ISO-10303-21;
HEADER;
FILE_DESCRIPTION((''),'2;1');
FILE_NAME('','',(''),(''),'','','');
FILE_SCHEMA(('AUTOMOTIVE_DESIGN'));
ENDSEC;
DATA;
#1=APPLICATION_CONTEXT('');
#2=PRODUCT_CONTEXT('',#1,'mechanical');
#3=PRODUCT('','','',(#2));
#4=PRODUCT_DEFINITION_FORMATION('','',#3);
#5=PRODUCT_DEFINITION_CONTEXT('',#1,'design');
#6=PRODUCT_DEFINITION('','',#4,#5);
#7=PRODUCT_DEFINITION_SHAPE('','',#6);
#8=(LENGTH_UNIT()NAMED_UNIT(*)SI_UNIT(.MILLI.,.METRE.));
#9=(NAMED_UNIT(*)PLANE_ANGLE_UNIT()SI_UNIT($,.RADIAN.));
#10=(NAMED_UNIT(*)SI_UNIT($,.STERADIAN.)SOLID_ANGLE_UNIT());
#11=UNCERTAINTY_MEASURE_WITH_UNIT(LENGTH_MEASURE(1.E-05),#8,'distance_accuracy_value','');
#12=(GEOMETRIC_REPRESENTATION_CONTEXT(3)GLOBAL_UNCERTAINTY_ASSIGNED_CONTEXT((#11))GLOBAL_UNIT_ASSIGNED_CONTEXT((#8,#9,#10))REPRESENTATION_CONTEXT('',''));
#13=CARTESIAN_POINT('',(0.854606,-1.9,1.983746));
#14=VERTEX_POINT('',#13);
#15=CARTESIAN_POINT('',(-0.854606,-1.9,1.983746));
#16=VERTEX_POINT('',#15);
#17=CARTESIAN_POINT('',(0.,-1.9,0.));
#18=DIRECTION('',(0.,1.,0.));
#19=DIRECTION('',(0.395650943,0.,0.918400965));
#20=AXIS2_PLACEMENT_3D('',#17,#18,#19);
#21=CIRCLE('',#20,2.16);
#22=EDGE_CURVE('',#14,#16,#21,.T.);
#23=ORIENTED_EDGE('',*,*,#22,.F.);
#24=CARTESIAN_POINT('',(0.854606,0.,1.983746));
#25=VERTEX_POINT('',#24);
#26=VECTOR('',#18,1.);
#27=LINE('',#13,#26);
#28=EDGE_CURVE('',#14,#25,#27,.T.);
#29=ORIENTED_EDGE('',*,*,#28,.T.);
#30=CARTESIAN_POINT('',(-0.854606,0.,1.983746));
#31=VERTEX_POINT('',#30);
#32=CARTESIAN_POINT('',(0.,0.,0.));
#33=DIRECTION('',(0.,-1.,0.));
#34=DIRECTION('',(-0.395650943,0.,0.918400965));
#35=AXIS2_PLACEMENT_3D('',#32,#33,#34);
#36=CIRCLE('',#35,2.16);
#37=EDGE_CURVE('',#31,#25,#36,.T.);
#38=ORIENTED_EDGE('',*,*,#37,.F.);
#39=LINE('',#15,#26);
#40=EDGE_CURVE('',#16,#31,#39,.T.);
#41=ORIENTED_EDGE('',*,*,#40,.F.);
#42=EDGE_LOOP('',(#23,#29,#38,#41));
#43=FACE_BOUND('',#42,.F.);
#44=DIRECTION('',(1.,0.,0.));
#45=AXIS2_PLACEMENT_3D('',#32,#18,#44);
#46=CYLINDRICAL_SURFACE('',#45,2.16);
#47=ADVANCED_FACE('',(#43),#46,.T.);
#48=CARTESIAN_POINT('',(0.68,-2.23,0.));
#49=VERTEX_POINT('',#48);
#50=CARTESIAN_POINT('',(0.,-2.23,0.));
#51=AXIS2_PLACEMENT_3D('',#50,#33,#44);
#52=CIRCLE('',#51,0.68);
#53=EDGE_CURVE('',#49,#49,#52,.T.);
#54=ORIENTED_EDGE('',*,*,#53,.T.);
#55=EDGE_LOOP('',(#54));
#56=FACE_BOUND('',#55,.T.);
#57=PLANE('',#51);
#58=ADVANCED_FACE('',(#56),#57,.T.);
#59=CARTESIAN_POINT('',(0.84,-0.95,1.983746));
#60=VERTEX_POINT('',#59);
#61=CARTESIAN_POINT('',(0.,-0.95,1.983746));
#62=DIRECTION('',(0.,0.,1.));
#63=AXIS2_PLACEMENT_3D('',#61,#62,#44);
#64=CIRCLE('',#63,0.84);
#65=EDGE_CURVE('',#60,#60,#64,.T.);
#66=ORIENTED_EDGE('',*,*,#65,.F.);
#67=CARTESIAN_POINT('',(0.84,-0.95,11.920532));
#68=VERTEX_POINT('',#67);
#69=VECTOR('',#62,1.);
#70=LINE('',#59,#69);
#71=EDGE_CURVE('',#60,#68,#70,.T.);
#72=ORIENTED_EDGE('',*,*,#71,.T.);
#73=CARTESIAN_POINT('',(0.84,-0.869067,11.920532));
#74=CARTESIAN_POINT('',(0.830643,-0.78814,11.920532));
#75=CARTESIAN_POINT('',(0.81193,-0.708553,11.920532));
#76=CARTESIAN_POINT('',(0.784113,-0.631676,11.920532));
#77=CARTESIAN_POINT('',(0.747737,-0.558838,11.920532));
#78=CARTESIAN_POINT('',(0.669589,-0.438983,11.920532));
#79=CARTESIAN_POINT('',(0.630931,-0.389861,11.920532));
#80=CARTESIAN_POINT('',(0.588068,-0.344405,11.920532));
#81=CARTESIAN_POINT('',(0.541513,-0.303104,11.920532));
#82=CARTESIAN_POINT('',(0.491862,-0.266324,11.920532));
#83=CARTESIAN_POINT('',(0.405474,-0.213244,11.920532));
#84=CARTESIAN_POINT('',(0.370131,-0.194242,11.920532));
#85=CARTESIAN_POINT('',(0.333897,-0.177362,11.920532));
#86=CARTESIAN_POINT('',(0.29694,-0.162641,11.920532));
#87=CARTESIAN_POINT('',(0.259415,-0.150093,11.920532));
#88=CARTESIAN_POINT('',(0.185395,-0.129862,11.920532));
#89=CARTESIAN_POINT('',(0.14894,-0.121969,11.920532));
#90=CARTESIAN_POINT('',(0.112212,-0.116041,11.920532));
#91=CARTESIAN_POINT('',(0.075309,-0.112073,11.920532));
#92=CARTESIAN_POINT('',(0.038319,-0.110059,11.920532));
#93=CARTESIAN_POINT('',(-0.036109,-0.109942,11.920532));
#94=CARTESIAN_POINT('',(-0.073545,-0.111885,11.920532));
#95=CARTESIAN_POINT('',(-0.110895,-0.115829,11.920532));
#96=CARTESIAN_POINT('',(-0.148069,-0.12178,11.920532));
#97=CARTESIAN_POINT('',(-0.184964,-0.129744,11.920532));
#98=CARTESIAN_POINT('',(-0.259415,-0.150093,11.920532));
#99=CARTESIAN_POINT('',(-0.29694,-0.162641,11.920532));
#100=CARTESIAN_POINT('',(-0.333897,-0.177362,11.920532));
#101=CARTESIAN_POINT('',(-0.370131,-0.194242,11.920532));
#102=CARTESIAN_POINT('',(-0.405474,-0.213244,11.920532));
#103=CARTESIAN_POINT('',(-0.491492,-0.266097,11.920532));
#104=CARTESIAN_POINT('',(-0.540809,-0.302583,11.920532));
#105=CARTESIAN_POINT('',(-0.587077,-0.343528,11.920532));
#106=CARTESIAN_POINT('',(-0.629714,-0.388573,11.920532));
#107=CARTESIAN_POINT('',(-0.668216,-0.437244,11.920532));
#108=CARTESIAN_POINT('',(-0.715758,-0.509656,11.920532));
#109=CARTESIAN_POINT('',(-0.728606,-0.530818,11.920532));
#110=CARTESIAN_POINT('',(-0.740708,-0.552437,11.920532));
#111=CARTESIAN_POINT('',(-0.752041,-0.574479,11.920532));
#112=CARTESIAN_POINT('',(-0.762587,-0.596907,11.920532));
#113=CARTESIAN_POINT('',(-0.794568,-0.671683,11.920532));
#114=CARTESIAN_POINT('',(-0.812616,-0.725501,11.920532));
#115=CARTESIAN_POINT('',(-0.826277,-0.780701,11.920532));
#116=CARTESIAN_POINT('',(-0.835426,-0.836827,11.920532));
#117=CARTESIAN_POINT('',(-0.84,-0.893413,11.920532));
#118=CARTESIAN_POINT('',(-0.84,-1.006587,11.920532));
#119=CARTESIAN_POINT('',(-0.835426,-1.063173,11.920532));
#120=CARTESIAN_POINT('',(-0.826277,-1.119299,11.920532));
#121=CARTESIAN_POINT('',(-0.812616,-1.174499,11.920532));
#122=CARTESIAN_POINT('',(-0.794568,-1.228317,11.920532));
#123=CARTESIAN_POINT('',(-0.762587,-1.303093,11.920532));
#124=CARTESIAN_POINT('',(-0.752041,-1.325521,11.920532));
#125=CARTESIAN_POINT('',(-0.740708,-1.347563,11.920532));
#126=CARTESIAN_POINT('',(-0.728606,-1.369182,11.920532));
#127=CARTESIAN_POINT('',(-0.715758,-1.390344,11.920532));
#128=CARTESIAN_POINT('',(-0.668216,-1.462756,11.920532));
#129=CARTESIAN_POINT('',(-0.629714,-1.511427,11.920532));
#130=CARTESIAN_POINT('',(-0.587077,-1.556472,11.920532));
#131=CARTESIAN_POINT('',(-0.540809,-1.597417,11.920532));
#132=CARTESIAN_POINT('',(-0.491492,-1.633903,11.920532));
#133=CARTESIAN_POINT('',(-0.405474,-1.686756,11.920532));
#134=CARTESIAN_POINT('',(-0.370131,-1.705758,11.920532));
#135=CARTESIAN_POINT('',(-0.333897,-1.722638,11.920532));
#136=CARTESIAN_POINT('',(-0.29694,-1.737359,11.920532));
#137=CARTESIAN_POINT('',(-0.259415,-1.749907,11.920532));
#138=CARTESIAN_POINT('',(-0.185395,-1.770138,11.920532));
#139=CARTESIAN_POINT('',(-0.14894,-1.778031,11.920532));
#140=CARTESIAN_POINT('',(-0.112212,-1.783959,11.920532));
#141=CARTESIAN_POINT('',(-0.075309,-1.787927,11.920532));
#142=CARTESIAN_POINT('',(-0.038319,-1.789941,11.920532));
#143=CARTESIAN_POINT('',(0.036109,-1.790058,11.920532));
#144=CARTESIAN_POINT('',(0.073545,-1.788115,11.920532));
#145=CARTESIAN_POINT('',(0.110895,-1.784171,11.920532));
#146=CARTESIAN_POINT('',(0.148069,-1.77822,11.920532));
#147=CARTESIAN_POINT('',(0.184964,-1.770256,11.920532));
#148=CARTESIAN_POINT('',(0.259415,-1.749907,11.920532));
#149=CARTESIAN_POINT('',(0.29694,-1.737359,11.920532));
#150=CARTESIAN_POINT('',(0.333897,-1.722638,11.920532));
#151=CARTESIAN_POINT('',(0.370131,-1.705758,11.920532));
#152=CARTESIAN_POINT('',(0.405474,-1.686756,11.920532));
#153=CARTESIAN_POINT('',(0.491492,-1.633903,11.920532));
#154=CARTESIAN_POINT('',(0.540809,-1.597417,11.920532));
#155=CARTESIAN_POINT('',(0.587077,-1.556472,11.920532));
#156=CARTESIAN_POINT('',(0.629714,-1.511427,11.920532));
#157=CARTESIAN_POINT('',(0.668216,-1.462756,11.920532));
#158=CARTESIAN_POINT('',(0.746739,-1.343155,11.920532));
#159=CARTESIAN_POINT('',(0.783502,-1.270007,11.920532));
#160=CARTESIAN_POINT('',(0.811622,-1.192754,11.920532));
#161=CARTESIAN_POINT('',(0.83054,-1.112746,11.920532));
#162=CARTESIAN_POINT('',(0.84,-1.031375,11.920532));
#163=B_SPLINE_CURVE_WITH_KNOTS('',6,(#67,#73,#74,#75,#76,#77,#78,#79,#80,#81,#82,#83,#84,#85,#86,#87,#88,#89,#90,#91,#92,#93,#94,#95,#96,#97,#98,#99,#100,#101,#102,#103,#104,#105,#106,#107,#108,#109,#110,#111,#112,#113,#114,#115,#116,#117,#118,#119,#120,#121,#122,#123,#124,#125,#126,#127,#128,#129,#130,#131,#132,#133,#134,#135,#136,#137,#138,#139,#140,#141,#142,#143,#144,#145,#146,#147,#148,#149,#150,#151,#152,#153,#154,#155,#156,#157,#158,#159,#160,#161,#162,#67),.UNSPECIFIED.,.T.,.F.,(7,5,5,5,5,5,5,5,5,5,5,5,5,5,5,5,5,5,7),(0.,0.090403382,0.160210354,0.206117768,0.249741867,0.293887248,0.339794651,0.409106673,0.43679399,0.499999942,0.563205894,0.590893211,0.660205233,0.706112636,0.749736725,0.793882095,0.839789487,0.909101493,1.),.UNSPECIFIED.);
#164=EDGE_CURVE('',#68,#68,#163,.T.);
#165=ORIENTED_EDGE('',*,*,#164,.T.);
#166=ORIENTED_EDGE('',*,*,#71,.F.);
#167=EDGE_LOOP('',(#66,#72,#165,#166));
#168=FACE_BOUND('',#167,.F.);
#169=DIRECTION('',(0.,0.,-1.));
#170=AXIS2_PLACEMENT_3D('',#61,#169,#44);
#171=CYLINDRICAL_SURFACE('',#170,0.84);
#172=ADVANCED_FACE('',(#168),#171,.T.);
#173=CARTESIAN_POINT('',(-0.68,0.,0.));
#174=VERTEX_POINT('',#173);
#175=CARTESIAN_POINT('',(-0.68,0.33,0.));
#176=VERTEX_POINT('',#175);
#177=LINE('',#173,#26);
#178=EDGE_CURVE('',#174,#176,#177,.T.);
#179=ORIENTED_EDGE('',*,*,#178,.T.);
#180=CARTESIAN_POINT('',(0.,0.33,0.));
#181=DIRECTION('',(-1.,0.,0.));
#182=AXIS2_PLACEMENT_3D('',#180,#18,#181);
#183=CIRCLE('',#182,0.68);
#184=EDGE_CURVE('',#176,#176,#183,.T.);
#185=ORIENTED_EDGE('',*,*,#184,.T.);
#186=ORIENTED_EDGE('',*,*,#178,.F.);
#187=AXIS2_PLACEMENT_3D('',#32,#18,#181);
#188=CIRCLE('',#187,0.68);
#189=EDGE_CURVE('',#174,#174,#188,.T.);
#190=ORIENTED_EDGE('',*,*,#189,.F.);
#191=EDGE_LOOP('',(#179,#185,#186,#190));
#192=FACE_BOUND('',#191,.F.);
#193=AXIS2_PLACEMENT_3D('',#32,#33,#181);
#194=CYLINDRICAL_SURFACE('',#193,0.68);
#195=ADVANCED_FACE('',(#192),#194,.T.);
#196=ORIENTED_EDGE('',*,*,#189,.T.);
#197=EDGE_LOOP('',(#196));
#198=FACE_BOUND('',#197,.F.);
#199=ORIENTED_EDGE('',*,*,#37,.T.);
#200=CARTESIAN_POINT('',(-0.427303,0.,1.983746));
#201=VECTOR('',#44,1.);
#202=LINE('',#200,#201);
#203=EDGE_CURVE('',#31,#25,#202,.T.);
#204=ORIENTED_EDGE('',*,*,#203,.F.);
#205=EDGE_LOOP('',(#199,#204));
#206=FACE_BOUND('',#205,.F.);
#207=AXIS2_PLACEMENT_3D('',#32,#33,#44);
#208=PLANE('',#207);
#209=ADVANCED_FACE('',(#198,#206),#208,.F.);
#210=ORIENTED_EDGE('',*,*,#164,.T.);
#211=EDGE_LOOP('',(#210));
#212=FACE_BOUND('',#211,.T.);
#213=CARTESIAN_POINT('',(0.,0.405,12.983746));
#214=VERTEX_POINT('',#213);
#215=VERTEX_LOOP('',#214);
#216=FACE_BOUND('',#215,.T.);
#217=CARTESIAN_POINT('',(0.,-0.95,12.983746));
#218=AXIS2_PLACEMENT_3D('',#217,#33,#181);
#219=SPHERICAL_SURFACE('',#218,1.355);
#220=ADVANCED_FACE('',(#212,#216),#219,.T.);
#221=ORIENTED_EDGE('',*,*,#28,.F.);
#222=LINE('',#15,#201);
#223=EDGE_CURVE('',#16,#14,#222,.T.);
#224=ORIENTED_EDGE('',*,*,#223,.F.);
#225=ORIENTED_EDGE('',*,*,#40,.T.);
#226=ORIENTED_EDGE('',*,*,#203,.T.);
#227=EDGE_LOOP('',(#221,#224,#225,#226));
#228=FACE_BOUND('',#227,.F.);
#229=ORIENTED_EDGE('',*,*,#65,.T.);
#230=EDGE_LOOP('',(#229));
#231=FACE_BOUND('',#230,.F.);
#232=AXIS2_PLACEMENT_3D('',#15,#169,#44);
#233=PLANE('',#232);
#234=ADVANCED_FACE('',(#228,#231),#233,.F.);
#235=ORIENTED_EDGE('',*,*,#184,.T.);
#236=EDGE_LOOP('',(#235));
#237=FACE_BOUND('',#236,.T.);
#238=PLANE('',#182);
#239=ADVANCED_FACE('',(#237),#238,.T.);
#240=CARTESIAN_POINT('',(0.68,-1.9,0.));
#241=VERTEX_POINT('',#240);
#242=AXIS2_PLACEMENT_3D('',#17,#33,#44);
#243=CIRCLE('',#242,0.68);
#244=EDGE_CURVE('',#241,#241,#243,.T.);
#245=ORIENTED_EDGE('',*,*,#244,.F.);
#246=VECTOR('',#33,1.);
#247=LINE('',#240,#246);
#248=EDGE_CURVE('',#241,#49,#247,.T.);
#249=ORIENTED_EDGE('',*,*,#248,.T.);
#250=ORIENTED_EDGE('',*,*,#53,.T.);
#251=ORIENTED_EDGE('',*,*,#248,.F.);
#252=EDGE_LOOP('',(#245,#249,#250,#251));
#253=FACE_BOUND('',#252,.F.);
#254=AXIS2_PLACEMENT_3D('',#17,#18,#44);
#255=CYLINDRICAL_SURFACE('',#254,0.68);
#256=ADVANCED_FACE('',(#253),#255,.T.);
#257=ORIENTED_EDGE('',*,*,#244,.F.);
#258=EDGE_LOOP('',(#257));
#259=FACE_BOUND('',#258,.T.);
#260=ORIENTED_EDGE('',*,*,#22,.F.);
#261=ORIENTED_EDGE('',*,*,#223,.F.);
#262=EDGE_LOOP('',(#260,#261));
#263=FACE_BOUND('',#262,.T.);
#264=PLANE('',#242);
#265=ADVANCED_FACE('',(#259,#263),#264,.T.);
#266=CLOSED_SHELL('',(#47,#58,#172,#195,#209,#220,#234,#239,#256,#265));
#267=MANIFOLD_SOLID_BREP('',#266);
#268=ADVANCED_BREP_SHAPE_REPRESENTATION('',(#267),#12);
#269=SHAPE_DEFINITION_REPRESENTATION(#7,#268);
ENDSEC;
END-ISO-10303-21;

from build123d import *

# Parameters (mm, degrees)
F0_R     = 2.16
F1_DEPTH = 1.9
F3_R     = 0.68
F4_DEPTH = 0.33
F5_R     = 0.68
F6_DEPTH = 0.33
F7_DEPTH = 25
F8_R     = 0.84
F9_DEPTH = 11


with BuildPart() as f1:
    # F0 (on Front) → F1 (new body)
    with BuildSketch(Plane.XZ):
        Circle(F0_R)
    extrude(amount=F1_DEPTH)

    # F3 (on face) → F4 (join)
    with BuildSketch(Plane.XZ.offset(1.9)):
        Circle(F3_R)
    extrude(amount=F4_DEPTH)

    # F5 (on face) → F6 (join)
    with BuildSketch(Plane(origin=(0, 0, 0), x_dir=(-1, 0, 0), z_dir=(0, 1, 0))):
        Circle(F5_R)
    extrude(amount=F6_DEPTH)

    # F2 (on face) → F7 (cut)
    with BuildSketch(Plane.XZ.offset(1.9)):
        with BuildLine():
            ThreePointArc((0.854606, 1.983746), (0, 2.16), (-0.854606, 1.983746))
            Line((-0.854606, 1.983746), (0.854606, 1.983746))
        make_face()
    extrude(amount=-F7_DEPTH, mode=Mode.SUBTRACT)

    # F8 (on face) → F9 (join)
    with BuildSketch(Plane.XY.offset(1.983746)):
        with Locations((0, -0.95)):
            Circle(F8_R)
    extrude(amount=F9_DEPTH)

    # F10 (on face) → F11 (revolve)
    with BuildSketch(Plane.XY.offset(12.983746)):
        with BuildLine():
            Line((0, -2.305), (0, 0.405))
            ThreePointArc((0, 0.405), (-1.355, -0.95), (0, -2.305))
        make_face()
        with BuildLine():
            Line((0, -0.11), (0, 0.405))
            ThreePointArc((0, 0.405), (-1.355, -0.95), (0, -2.305))
            Line((0, -2.305), (0, -1.79))
            ThreePointArc((0, -1.79), (-0.84, -0.95), (0, -0.11))
        make_face()
    revolve(axis=Axis((0, -0.95, 12.983746), (0, -1, 0)))


solid = f1.part
